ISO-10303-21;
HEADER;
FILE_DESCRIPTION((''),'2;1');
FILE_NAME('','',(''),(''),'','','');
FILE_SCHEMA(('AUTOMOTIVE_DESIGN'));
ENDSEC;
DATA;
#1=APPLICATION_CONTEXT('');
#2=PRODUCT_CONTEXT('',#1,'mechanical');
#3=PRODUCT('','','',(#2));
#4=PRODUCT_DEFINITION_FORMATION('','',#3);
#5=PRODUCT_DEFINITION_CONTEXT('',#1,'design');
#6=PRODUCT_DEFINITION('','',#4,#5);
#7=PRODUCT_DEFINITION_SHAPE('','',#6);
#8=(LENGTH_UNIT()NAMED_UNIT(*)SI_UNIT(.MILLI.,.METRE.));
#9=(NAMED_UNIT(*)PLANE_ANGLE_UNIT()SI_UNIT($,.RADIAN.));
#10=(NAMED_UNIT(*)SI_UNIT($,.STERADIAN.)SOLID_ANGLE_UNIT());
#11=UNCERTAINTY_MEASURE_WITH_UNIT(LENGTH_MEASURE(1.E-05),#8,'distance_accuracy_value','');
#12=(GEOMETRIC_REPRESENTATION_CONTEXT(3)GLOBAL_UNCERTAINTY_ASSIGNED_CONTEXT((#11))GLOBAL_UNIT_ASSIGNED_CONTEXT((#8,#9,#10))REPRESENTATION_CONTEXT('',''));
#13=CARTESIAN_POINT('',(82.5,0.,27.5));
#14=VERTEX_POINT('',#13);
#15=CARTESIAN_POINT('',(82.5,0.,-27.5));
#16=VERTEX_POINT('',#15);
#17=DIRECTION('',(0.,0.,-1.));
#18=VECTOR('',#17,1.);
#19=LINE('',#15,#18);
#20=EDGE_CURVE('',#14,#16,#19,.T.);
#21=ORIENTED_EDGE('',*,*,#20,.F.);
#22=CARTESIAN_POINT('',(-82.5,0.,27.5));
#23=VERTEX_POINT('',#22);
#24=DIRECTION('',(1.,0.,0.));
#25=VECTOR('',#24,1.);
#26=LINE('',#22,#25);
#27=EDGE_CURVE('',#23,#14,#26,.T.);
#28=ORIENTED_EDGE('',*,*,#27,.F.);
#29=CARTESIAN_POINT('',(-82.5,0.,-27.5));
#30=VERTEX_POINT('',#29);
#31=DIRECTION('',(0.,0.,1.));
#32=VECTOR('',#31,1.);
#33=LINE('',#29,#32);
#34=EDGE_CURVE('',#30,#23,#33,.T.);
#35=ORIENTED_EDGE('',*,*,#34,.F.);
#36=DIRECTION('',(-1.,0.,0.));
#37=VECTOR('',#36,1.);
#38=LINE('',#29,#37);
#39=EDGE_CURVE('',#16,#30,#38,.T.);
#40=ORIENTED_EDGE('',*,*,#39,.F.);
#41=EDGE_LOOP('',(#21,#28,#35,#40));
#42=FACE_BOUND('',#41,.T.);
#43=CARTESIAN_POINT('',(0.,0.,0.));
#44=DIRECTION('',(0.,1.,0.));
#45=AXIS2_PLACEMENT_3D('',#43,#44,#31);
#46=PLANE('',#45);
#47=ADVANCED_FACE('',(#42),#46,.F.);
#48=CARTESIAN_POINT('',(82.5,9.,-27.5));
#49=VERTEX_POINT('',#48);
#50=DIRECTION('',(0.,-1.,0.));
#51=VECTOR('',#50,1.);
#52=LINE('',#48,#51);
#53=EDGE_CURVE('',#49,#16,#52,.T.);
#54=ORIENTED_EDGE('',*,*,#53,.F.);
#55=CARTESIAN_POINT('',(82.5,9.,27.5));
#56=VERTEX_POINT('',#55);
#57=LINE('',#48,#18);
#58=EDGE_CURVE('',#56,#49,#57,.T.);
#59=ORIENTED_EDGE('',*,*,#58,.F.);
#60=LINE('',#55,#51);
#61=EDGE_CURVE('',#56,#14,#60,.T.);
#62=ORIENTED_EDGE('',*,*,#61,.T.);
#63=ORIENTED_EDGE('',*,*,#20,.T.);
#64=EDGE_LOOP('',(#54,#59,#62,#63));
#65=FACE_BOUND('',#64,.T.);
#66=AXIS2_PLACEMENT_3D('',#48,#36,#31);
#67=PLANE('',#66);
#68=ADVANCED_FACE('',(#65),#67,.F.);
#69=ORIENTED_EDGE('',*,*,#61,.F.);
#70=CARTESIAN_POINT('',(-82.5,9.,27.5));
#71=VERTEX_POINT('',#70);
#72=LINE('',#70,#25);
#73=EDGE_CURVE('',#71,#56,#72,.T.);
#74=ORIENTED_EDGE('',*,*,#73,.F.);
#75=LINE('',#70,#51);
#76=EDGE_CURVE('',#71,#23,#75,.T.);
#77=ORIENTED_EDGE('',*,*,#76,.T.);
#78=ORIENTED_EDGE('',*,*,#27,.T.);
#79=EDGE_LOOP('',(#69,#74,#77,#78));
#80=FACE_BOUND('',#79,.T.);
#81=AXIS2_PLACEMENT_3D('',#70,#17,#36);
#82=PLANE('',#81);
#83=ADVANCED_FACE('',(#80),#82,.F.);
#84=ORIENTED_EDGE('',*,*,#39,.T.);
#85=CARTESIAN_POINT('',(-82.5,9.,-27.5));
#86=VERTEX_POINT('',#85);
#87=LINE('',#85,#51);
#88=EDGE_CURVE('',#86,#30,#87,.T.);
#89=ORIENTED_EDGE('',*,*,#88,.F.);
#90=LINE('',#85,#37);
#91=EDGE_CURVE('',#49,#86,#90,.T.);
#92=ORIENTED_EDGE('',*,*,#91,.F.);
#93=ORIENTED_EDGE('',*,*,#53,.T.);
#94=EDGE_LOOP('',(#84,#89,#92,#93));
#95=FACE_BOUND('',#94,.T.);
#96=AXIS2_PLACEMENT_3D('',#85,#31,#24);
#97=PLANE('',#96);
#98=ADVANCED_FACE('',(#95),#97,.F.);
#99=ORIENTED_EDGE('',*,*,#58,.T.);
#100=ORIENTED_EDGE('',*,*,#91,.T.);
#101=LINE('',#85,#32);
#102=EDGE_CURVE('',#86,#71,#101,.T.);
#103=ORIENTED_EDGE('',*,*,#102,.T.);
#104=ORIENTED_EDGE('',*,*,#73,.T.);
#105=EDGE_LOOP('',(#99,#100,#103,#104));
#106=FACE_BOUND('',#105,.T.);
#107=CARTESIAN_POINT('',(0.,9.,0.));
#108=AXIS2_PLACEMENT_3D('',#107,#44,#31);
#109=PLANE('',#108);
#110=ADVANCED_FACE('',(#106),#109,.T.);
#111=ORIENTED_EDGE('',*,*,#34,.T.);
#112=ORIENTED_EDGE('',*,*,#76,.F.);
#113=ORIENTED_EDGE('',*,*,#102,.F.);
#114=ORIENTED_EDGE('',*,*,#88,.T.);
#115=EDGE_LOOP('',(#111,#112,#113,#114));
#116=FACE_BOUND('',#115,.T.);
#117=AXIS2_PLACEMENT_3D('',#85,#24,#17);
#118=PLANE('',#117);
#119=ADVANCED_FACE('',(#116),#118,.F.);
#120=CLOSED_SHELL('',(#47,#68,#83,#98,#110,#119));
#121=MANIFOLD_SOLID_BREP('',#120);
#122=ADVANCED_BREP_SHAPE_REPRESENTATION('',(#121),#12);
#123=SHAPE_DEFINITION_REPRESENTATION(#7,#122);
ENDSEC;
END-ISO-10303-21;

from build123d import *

# Parameters (mm, degrees)
SZKIC1_W                    = 165
SZKIC1_H                    = 55
DODANIE_WYCI_GNI_CIE1_DEPTH = 9


with BuildPart() as part:
    # Szkic1 → Dodanie-wyciągnięcie1 (new body)
    with BuildSketch(Plane(origin=(0, 0, 0), x_dir=(1, 0, 0), z_dir=(0, 1, 0))):
        Rectangle(SZKIC1_W, SZKIC1_H)
    extrude(amount=DODANIE_WYCI_GNI_CIE1_DEPTH)


solid = part.part
